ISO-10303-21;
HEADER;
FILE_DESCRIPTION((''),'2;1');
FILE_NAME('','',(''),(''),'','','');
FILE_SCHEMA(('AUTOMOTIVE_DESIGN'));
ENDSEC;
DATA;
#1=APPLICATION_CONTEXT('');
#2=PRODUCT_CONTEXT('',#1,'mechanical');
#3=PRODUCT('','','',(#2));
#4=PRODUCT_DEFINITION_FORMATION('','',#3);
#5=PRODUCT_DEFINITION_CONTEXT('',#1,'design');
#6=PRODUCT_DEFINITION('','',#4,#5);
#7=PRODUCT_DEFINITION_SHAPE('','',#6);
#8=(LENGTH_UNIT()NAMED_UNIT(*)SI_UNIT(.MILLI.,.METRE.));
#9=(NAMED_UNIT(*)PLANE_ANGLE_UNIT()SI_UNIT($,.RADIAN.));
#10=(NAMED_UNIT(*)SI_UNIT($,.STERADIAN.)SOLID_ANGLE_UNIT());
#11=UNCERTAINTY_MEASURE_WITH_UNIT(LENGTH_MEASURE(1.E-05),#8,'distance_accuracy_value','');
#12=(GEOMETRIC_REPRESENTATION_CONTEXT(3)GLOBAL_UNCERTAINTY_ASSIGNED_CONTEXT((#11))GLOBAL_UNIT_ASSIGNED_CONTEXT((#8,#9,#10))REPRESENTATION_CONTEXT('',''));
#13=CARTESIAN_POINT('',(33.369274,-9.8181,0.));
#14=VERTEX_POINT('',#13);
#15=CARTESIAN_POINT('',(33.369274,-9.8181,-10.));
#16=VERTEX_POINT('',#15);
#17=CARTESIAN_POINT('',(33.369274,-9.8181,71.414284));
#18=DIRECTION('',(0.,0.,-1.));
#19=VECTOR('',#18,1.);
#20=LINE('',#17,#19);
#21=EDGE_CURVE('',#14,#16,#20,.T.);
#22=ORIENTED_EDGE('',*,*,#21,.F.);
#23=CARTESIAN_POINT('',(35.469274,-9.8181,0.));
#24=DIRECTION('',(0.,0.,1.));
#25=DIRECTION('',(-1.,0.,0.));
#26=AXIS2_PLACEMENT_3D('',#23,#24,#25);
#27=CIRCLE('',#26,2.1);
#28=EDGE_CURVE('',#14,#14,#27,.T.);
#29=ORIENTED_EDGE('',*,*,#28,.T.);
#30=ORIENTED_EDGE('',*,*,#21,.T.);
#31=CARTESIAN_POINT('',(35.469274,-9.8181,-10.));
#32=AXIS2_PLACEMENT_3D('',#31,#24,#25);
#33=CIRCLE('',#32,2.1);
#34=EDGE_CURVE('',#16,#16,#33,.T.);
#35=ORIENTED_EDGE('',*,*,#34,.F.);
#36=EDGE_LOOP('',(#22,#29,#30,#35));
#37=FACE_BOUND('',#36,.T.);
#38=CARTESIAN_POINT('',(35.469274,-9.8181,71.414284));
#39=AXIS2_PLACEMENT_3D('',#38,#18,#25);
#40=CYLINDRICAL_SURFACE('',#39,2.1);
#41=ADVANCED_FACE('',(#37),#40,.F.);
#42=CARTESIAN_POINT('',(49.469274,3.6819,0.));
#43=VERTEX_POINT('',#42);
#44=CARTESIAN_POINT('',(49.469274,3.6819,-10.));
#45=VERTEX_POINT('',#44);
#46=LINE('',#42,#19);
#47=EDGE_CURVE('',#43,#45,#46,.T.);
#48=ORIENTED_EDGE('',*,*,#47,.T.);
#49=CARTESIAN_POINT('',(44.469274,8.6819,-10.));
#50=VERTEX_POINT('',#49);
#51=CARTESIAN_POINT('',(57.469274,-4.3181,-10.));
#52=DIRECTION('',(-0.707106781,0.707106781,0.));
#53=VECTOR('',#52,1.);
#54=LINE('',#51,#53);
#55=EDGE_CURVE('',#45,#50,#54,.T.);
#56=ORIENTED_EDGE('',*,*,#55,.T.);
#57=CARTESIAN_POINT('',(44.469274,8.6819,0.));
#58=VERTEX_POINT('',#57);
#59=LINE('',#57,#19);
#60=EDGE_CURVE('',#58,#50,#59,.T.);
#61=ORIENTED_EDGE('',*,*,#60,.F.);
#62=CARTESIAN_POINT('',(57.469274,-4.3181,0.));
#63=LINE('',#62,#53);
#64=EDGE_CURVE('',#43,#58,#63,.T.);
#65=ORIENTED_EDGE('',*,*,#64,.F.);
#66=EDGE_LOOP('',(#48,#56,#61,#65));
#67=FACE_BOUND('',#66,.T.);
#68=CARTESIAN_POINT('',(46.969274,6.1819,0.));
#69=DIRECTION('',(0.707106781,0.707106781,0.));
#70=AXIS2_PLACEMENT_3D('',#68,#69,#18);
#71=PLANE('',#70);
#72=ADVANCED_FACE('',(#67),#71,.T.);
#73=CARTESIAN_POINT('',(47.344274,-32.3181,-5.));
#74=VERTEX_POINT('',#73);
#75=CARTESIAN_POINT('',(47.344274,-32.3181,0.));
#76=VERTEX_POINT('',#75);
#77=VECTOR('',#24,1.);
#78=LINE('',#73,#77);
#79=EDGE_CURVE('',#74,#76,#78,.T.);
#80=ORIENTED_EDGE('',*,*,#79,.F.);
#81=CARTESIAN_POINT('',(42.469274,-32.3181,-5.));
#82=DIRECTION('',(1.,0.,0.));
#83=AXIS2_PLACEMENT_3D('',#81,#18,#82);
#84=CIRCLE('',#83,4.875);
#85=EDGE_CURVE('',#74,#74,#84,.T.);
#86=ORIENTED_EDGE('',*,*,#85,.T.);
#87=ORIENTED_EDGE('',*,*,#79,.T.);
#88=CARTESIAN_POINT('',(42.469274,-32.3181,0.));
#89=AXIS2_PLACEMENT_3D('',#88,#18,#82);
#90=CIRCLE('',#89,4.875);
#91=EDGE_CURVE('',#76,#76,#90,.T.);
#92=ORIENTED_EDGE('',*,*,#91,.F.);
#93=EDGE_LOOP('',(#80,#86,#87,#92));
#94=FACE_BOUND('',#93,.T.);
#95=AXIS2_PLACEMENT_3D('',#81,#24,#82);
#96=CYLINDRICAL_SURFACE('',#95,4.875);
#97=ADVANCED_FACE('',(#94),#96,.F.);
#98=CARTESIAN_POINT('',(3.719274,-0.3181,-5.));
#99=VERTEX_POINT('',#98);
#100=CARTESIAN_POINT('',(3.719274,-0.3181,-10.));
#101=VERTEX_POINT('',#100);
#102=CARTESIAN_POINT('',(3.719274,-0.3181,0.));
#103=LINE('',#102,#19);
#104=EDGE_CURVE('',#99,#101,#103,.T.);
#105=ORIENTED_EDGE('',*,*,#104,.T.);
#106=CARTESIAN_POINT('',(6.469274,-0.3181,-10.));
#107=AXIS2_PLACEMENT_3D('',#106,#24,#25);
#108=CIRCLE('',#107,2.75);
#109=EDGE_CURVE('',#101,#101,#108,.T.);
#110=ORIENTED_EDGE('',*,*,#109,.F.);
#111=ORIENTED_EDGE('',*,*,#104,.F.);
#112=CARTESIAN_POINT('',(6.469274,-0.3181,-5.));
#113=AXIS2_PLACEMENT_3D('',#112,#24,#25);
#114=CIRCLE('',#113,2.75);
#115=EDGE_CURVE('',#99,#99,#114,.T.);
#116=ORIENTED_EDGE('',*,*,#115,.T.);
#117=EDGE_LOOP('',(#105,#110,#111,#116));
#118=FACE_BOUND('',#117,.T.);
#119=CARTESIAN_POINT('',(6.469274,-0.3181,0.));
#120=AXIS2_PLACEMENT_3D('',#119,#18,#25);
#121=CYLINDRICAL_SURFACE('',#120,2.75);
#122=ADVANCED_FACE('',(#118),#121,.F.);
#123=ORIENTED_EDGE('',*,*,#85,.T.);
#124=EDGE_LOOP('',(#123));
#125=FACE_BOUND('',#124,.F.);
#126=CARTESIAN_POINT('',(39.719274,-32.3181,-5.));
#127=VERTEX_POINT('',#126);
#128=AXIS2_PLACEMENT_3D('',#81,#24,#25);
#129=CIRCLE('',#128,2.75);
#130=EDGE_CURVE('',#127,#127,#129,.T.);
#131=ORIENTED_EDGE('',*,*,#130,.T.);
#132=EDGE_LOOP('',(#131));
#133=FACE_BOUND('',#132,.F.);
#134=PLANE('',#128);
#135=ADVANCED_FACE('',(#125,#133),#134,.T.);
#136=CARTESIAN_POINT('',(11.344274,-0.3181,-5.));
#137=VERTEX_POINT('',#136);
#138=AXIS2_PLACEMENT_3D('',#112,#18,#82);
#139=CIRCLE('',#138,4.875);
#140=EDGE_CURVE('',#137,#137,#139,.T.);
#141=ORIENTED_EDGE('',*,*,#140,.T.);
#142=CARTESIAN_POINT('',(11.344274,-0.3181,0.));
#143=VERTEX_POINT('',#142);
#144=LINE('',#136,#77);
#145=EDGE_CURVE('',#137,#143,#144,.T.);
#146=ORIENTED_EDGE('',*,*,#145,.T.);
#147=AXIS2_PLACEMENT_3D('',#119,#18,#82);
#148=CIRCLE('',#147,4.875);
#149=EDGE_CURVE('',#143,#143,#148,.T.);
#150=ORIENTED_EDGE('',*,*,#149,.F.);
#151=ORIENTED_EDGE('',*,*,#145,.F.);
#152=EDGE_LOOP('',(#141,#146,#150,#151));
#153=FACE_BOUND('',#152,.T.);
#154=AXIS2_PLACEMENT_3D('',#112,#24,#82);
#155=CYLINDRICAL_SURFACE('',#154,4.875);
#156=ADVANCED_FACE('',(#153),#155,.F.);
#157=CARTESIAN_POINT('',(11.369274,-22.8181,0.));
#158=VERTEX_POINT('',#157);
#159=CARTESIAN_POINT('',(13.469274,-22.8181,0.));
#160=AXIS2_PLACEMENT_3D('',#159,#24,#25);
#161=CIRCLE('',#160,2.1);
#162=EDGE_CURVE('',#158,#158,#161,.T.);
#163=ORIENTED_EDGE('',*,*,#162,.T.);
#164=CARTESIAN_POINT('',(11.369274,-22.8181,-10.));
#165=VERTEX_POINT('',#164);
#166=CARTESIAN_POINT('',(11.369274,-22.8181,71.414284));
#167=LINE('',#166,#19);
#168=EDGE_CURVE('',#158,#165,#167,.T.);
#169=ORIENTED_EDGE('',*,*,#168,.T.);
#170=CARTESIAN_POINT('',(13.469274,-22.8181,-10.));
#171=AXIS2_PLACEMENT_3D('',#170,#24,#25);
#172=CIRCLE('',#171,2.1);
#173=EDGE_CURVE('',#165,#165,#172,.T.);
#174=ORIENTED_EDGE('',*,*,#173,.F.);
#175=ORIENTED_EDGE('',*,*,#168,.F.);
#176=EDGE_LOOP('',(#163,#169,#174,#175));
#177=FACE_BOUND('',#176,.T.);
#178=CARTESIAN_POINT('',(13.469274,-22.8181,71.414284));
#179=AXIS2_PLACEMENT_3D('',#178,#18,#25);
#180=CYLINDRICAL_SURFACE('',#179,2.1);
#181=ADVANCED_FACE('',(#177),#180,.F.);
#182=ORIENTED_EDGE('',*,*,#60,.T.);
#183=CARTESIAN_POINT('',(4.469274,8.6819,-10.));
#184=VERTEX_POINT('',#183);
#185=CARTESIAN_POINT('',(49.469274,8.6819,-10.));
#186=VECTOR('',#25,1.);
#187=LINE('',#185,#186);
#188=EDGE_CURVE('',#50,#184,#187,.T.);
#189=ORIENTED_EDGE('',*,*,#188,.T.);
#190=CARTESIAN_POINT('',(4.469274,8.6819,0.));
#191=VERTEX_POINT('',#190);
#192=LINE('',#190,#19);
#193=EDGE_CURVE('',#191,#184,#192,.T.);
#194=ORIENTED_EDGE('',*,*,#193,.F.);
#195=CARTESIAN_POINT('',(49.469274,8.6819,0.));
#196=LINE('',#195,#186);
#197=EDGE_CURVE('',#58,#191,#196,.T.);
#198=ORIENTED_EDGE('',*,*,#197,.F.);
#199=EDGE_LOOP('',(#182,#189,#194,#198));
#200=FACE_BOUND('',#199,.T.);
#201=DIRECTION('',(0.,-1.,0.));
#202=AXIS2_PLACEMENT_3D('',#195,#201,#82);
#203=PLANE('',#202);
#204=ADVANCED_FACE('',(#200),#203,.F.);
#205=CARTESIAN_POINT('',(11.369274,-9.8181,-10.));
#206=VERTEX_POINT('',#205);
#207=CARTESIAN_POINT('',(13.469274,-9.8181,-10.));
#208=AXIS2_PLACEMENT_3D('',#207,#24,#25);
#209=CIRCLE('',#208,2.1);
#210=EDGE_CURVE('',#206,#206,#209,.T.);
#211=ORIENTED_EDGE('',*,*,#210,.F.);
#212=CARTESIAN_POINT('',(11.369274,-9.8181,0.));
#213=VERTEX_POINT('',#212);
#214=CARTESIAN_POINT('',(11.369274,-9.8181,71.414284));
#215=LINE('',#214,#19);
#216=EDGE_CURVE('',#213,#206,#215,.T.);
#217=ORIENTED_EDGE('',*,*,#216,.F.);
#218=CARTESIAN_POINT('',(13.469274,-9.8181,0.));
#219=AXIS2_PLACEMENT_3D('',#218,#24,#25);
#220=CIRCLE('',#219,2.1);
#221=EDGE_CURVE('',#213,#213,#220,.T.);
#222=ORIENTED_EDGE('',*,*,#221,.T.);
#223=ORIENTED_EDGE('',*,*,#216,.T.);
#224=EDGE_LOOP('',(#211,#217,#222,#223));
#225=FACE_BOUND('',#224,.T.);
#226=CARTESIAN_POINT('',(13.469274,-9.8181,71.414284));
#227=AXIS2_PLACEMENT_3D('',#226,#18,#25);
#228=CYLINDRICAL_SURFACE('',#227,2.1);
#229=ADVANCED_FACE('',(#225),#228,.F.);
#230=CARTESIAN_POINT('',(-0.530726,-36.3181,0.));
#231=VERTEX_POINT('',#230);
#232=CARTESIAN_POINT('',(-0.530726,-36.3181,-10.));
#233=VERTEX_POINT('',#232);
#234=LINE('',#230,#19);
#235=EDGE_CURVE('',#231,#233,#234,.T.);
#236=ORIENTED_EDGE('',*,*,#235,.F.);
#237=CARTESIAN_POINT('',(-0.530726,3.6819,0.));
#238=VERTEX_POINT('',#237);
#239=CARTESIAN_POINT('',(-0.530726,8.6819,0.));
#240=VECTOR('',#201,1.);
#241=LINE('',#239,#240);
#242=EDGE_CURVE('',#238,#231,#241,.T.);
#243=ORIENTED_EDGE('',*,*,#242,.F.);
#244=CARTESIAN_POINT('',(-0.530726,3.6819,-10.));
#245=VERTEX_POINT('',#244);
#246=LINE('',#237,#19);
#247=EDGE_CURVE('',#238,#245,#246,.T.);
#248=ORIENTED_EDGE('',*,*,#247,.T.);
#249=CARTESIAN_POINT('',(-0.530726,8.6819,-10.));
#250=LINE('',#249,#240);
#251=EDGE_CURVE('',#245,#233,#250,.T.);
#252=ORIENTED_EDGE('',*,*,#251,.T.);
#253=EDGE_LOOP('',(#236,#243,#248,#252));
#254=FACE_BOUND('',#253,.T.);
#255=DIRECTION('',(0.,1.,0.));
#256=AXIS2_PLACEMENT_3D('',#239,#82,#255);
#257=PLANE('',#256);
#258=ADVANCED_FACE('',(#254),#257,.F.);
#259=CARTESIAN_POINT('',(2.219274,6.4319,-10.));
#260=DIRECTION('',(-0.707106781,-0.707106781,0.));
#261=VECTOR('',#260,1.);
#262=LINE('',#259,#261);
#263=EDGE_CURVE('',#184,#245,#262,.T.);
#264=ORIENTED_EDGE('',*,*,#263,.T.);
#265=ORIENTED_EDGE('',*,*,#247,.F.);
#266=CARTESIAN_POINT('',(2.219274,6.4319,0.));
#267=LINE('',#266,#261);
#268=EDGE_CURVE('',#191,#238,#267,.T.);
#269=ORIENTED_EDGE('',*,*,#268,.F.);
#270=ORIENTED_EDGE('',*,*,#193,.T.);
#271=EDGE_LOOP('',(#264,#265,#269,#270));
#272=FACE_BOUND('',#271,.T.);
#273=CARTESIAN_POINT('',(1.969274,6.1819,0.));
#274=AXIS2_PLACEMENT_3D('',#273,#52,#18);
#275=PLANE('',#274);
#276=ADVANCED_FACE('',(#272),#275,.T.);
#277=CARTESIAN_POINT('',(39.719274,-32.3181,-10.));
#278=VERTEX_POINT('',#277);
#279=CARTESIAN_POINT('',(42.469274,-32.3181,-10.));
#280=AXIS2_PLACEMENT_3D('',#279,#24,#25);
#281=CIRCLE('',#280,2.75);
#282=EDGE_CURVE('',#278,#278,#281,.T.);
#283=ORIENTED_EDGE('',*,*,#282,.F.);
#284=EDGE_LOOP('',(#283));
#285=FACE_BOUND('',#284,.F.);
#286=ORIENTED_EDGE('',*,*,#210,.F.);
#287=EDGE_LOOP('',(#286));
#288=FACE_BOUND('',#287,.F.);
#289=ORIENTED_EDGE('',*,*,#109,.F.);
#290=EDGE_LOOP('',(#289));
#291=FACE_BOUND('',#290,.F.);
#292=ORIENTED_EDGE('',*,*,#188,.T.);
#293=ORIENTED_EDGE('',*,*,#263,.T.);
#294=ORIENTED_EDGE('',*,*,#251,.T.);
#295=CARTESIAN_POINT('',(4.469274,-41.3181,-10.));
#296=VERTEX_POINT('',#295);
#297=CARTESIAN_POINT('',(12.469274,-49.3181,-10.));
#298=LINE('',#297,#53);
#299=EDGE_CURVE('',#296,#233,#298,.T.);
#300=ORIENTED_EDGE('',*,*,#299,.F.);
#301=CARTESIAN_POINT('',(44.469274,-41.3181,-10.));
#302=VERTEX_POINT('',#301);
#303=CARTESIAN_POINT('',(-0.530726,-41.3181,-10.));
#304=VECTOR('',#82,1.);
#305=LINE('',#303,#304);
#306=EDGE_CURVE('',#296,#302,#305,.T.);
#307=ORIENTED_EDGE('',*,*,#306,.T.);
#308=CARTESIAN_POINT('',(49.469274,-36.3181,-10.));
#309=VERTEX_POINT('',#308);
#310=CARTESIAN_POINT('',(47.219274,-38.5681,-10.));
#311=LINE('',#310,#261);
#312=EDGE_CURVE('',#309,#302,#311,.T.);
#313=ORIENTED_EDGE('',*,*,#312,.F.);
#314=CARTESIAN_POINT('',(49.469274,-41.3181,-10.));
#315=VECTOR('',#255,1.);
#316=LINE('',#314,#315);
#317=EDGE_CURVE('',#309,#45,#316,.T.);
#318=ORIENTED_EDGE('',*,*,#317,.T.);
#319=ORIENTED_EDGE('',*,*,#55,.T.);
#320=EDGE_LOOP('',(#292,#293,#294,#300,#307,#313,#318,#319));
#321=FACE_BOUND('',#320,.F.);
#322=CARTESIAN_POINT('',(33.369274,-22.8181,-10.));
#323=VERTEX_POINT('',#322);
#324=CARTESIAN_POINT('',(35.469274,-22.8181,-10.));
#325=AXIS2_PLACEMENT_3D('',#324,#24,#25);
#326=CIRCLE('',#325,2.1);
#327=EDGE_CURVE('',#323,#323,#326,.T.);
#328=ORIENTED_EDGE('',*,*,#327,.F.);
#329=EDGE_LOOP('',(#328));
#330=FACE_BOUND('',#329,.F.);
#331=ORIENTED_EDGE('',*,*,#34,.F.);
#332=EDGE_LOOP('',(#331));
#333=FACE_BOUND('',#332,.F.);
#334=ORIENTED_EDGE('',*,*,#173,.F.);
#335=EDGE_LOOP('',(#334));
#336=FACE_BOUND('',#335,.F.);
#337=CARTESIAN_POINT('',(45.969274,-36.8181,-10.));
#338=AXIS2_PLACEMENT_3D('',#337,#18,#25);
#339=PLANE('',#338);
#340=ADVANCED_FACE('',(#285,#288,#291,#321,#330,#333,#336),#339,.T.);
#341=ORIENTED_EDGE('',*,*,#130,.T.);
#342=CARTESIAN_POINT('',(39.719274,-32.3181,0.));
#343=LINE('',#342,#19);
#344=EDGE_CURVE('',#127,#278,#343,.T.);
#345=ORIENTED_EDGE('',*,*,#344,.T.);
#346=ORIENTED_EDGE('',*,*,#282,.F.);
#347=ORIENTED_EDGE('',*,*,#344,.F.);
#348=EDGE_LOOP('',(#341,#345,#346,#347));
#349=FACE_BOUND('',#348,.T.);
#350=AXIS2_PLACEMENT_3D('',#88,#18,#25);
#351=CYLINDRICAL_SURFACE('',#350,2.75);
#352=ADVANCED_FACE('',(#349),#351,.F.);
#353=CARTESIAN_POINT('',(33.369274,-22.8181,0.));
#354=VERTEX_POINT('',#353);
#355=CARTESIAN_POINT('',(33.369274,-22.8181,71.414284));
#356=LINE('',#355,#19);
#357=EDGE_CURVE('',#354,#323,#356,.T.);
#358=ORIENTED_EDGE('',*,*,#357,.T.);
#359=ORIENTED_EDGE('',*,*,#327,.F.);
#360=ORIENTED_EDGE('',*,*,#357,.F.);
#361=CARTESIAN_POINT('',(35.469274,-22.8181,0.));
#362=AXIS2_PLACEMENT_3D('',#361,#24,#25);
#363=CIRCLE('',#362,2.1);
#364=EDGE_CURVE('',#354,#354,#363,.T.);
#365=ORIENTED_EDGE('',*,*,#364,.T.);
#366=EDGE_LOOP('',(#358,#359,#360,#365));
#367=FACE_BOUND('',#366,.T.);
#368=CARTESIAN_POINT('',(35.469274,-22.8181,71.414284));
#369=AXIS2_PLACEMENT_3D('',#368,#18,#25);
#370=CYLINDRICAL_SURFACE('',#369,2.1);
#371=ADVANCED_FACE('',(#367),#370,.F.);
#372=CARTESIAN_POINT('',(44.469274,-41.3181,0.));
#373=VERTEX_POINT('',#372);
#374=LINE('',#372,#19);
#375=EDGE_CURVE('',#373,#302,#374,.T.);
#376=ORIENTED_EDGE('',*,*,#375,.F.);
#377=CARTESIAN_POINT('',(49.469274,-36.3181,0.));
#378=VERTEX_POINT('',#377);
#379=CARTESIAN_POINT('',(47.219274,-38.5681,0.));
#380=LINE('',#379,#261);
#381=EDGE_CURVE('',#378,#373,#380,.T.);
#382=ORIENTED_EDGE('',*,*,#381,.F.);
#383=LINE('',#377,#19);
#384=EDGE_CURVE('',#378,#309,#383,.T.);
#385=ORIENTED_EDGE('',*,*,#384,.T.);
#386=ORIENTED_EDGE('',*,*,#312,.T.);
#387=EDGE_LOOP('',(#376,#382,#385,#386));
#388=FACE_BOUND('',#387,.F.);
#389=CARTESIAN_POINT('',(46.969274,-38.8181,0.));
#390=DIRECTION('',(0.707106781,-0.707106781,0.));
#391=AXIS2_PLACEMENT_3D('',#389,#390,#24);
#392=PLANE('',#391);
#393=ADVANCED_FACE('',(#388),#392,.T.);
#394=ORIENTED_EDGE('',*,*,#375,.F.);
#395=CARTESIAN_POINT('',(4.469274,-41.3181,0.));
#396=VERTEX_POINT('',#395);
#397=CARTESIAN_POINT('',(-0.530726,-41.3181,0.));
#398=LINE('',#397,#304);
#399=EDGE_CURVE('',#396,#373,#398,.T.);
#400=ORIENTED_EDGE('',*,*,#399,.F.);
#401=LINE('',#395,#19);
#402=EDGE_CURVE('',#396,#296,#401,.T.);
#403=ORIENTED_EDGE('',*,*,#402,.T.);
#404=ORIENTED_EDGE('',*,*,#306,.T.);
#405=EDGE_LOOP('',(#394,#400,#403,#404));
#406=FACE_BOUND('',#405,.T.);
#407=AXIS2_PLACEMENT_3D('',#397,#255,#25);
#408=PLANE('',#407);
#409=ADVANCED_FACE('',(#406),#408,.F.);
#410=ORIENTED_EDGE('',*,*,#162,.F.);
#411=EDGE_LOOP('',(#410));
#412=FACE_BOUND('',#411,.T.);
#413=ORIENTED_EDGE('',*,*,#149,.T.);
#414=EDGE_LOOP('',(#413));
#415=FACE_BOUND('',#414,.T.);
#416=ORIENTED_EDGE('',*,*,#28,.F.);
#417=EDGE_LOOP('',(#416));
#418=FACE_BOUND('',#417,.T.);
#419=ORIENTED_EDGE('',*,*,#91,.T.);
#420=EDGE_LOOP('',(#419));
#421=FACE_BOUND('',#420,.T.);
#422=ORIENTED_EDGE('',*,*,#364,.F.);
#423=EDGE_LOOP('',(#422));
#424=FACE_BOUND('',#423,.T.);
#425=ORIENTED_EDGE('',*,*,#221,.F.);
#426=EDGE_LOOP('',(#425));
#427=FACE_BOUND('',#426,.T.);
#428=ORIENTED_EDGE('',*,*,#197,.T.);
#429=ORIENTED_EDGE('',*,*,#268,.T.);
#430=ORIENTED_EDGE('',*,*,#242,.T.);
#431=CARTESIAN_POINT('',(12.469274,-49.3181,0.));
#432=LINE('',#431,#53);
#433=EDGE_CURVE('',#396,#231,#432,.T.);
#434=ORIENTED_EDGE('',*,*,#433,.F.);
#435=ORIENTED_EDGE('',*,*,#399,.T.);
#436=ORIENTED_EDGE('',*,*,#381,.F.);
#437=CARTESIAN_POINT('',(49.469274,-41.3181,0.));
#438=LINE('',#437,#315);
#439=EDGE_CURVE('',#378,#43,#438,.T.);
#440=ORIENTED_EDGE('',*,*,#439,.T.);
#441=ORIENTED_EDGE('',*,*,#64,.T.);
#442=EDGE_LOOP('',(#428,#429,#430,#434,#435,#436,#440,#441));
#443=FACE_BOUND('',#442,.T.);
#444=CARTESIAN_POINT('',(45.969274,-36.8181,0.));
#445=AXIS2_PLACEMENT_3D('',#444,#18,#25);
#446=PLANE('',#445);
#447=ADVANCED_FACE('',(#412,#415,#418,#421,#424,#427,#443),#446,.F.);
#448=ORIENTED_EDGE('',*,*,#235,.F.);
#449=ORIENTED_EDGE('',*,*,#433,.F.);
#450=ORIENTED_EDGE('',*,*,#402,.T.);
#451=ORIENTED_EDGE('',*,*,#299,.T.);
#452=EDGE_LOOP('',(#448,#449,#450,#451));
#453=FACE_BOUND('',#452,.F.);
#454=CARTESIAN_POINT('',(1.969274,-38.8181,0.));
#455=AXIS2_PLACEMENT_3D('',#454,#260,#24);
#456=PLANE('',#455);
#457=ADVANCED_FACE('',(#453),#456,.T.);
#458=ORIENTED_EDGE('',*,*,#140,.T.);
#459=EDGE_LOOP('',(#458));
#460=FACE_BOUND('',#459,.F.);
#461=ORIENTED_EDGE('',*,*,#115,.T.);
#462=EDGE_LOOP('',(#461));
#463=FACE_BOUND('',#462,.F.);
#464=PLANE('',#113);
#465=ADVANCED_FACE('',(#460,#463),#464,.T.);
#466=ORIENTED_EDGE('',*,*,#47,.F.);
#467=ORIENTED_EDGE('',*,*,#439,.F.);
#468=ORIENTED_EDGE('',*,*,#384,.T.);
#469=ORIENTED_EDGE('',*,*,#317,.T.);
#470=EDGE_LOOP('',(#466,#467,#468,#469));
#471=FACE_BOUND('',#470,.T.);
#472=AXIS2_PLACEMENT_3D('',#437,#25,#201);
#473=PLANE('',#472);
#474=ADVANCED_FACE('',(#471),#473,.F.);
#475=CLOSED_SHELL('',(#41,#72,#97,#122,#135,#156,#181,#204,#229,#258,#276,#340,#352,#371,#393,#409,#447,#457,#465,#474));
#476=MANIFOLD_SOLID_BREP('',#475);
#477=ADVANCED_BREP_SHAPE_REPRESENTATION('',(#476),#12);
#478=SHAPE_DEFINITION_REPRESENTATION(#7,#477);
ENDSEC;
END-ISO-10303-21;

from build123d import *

# Parameters (mm, degrees)
F0_W           = 7
F0_H           = 9
F0_H_2         = 13
F0_W_2         = 22
F0_H_3         = 9.5
F1_DEPTH       = 10
F2_D           = 4.2
F3_SIZE        = 5
F4_D           = 5.5
F4_CBORE_D     = 9.75
F4_CBORE_DEPTH = 5


with BuildPart() as f1:
    # F0 (on Top) → F1 (new body)
    with BuildSketch(Plane.XY):
        with Locations((45.9692735374, -36.8180999458)):
            Rectangle(F0_W, F0_H)
        with Locations((45.9692735374, -16.3180999458)):
            Rectangle(F0_W, F0_H_2)
        with Locations((45.9692735374, 4.1819000542)):
            Rectangle(F0_W, F0_H)
        with Locations((24.4692735374, 4.1819000542)):
            Rectangle(F0_W_2, F0_H)
        with Locations((2.9692735374, 4.1819000542)):
            Rectangle(F0_W, F0_H)
        with Locations((2.9692735374, -16.3180999458)):
            Rectangle(F0_W, F0_H_2)
        with Locations((24.4692735374, -16.3180999458)):
            Rectangle(F0_W_2, F0_H_2)
        with Locations((24.4692735374, -36.8180999458)):
            Rectangle(F0_W_2, F0_H)
        with Locations((2.9692735374, -36.8180999458)):
            Rectangle(F0_W, F0_H)
        with Locations((2.9692735374, -5.0680999458)):
            Rectangle(F0_W, F0_H_3)
        with Locations((9.9692735374, -5.0680999458)):
            Rectangle(F0_W, F0_H_3)
        with Locations((9.9692735374, 4.1819000542)):
            Rectangle(F0_W, F0_H)
        with Locations((24.4692735374, -5.0680999458)):
            Rectangle(F0_W_2, F0_H_3)
        with Locations((38.9692735374, -5.0680999458)):
            Rectangle(F0_W, F0_H_3)
        with Locations((38.9692735374, 4.1819000542)):
            Rectangle(F0_W, F0_H)
        with Locations((45.9692735374, -5.0680999458)):
            Rectangle(F0_W, F0_H_3)
        with Locations((38.9692735374, -16.3180999458)):
            Rectangle(F0_W, F0_H_2)
        with Locations((9.9692735374, -16.3180999458)):
            Rectangle(F0_W, F0_H_2)
        with Locations((2.9692735374, -27.5680999458)):
            Rectangle(F0_W, F0_H_3)
        with Locations((9.9692735374, -27.5680999458)):
            Rectangle(F0_W, F0_H_3)
        with Locations((24.4692735374, -27.5680999458)):
            Rectangle(F0_W_2, F0_H_3)
        with Locations((38.9692735374, -27.5680999458)):
            Rectangle(F0_W, F0_H_3)
        with Locations((45.9692735374, -27.5680999458)):
            Rectangle(F0_W, F0_H_3)
        with Locations((9.9692735374, -36.8180999458)):
            Rectangle(F0_W, F0_H)
        with Locations((38.9692735374, -36.8180999458)):
            Rectangle(F0_W, F0_H)
    extrude(amount=F1_DEPTH)

    # F2 (through all)
    with Locations(Plane(origin=(0, 0, 0), x_dir=(1, 0, 0), z_dir=(0, 0, -1))):
        with Locations((13.4692735374, 9.8180999458), (35.4692735374, 9.8180999458), (35.4692735374, 22.8180999458), (13.4692735374, 22.8180999458)):
            Hole(F2_D / 2)

    # F3
    f3_edges = [f1.edges().sort_by_distance(p)[0] for p in [
        (49.469274, 8.6819, 5),
        (49.469274, -41.3181, 5),
        (-0.530726, -41.3181, 5),
        (-0.530726, 8.6819, 5),
    ]]
    chamfer(f3_edges, length=F3_SIZE)

    # F4 (through all)
    with Locations(Plane(origin=(0, 0, 0), x_dir=(1, 0, 0), z_dir=(0, 0, -1))):
        with Locations((6.4692735374, 0.3180999458), (42.4692735374, 32.3180999458)):
            CounterBoreHole(F4_D / 2, F4_CBORE_D / 2, F4_CBORE_DEPTH)


with BuildPart() as f5_1:
    # F5: instance of F1
    add(f1.part.mirror(Plane.XY))


solid = f5_1.part
